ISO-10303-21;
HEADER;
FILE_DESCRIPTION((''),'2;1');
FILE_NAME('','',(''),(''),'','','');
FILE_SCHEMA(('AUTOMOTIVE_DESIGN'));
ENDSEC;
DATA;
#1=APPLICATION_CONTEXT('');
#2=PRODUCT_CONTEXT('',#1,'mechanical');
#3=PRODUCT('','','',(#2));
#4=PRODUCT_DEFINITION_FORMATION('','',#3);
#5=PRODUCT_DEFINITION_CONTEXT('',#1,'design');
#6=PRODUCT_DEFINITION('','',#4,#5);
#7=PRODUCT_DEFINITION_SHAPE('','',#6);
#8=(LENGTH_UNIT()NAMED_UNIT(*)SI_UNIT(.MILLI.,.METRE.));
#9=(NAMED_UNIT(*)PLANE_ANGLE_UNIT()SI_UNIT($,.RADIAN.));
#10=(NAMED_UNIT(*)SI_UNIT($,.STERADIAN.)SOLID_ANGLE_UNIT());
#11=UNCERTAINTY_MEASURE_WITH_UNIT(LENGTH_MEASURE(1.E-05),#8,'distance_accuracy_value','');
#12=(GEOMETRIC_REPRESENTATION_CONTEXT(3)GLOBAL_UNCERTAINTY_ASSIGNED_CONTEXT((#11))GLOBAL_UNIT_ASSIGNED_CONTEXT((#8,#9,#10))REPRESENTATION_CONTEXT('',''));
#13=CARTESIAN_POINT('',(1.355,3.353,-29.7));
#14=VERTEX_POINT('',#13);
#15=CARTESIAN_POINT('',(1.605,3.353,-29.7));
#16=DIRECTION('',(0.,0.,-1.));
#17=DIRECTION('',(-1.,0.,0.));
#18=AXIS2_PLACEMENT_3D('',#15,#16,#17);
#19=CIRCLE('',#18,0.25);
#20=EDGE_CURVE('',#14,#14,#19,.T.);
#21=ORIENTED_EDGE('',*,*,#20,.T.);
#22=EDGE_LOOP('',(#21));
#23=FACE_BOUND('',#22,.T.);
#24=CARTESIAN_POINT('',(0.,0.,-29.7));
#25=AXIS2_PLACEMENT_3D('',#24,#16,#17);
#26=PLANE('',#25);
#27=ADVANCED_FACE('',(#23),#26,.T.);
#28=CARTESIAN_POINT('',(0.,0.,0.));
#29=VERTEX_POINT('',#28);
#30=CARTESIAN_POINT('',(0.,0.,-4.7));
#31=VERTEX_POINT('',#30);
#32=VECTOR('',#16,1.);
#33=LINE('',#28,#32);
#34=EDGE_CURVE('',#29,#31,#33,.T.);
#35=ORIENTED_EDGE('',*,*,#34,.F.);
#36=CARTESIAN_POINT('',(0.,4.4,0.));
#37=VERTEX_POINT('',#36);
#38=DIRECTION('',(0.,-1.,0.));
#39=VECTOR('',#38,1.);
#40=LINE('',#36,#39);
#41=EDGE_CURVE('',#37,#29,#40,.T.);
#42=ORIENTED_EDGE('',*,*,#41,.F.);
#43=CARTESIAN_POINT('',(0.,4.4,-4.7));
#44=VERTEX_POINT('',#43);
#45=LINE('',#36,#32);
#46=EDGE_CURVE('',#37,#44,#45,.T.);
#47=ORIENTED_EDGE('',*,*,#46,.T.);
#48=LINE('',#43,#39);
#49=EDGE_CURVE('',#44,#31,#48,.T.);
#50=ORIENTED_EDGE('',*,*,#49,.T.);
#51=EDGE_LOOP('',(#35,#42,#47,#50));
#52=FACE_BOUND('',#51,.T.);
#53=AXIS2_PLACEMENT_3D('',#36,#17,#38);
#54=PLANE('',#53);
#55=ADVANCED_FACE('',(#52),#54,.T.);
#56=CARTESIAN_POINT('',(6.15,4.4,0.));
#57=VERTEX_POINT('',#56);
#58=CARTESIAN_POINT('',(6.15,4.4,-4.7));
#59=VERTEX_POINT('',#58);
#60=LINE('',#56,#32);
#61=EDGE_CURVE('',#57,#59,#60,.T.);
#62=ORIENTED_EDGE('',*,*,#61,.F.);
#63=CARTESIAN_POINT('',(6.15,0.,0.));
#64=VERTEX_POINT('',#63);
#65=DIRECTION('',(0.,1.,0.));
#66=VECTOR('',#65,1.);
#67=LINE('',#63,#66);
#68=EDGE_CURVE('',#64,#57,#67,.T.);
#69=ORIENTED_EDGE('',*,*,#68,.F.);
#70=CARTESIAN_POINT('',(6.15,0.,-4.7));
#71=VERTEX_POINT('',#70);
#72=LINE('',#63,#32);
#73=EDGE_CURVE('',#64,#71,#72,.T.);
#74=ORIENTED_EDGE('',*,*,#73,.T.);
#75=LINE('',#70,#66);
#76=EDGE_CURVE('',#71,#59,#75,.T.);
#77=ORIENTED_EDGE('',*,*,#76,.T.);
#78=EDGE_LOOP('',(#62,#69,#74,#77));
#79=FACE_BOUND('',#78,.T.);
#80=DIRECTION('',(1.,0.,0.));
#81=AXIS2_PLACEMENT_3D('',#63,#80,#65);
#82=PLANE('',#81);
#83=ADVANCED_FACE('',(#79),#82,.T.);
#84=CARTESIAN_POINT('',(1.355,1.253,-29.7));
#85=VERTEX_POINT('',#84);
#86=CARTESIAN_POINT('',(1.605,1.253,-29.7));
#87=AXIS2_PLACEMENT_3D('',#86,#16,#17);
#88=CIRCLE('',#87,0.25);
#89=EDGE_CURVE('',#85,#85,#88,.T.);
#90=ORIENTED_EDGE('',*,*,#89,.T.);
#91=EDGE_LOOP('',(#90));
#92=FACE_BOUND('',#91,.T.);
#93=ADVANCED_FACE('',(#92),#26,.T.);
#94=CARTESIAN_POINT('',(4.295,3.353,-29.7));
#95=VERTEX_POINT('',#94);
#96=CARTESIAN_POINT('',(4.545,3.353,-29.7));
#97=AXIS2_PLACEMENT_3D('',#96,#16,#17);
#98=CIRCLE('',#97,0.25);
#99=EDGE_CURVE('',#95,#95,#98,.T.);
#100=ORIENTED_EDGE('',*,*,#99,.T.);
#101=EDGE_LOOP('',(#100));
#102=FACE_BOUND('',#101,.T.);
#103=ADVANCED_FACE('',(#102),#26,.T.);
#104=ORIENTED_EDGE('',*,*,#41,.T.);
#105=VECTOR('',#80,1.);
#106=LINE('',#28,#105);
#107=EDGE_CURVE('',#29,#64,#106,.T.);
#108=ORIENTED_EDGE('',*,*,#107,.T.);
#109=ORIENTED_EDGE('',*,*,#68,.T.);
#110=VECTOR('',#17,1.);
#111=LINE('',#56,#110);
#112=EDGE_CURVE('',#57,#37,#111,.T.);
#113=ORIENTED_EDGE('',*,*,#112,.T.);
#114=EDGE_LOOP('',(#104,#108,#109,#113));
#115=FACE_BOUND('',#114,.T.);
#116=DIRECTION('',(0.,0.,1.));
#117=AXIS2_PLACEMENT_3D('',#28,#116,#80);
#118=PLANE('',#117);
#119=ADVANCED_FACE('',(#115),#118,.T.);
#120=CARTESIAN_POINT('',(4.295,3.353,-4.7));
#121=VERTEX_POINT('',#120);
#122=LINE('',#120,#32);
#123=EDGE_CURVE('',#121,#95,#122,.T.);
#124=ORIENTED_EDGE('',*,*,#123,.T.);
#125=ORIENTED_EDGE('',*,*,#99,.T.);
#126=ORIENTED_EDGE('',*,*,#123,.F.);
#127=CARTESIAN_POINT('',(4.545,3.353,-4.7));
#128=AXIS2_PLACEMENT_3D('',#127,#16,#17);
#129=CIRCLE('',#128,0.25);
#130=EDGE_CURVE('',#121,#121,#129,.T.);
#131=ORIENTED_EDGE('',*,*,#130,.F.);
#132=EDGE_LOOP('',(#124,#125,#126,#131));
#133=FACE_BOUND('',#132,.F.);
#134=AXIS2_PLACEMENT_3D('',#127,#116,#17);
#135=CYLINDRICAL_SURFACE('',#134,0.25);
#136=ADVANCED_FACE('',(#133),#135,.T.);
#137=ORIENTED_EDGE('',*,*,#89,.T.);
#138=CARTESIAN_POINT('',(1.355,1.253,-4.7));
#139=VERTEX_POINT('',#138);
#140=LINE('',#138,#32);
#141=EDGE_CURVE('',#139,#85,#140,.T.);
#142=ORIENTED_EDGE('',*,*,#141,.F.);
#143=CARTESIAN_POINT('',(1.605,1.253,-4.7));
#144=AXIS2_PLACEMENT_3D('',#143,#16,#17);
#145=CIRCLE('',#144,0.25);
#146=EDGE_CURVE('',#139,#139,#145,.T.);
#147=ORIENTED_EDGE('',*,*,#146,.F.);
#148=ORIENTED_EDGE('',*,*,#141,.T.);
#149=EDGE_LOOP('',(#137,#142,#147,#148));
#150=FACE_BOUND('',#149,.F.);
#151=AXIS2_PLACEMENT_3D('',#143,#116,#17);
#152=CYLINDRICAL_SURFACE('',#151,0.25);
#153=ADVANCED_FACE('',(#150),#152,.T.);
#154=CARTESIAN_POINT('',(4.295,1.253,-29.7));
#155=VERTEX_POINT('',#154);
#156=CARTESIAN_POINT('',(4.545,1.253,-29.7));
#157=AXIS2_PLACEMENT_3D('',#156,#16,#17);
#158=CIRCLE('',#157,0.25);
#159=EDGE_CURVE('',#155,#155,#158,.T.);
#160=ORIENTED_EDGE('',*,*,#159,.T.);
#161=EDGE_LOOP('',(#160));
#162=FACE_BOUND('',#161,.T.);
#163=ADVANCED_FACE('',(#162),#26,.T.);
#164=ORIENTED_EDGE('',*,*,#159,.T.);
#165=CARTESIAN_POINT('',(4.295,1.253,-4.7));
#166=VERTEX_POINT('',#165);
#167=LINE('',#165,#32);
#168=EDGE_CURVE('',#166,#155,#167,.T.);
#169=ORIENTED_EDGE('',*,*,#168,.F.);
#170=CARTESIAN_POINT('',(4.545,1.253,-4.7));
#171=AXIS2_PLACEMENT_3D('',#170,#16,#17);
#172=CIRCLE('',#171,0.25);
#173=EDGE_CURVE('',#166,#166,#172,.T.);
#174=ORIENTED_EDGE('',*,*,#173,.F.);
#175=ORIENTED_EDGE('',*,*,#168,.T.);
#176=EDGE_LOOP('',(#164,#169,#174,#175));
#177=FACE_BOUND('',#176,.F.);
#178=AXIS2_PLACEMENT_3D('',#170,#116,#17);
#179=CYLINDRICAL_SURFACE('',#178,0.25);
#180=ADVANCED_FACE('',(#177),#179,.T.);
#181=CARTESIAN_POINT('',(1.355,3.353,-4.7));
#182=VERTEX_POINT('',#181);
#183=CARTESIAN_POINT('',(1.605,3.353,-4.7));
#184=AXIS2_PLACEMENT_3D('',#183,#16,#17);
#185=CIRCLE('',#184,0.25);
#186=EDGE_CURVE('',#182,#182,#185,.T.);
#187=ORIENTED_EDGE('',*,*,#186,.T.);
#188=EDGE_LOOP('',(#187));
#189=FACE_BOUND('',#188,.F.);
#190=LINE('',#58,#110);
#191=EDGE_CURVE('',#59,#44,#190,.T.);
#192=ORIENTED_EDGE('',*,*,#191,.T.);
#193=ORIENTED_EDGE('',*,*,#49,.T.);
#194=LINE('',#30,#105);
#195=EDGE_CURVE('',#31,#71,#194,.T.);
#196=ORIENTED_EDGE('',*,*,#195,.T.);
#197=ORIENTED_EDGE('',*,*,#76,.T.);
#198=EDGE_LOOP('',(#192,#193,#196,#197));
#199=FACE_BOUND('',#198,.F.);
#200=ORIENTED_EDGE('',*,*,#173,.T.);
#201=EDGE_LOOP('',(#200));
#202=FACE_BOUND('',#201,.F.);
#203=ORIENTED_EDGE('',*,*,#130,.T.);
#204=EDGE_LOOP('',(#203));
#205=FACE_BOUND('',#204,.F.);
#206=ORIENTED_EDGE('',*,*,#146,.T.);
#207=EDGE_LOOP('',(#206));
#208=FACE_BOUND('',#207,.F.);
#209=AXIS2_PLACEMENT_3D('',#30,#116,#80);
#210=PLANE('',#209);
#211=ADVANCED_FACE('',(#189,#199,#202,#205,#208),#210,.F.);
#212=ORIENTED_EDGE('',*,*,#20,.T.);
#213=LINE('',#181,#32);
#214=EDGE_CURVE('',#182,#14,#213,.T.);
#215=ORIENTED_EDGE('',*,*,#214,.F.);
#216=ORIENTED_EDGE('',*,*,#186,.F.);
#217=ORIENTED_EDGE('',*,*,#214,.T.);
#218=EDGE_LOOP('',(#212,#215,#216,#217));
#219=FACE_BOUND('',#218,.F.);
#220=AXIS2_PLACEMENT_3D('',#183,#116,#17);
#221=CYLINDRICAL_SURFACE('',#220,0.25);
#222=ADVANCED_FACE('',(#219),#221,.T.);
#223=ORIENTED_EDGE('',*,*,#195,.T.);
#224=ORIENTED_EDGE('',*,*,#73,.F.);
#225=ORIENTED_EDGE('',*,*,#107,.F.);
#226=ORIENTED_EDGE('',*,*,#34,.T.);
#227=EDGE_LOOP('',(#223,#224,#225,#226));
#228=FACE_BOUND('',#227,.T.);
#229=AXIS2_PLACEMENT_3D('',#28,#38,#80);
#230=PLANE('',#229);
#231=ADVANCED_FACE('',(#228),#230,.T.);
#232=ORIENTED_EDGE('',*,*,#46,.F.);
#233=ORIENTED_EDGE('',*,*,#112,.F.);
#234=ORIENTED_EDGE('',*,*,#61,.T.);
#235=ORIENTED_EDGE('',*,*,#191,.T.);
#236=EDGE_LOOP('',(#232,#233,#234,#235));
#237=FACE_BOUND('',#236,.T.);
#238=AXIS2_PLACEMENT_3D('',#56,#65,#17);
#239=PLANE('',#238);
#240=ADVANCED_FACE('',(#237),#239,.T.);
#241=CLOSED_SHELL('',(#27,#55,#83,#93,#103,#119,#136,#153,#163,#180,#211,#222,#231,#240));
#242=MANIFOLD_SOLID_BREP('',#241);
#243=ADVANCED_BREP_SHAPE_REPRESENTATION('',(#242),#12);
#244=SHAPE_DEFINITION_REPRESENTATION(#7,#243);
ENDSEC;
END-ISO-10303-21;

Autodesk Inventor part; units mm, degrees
ref_plane "YZ Plane" through (0, 0, 0) normal (1, 0, 0) x (0, 1, 0)
ref_plane "XZ Plane" through (0, 0, 0) normal (0, 1, 0) x (-1, 0, 0)
ref_plane "XY Plane" through (0, 0, 0) normal (0, 0, 1) x (1, 0, 0)
sketch "Sketch1" plane through (0, 0, 0) normal (0, 0, 1) x (1, 0, 0)
  line L0 (0, 0) -> (6.15, 0)
  line L1 (6.15, 0) -> (6.15, 4.4)
  line L2 (6.15, 4.4) -> (0, 4.4)
  line L3 (0, 4.4) -> (0, 0)
  dimension "d0" = 6.15
  dimension "d1" = 4.4
extrude "Extrusion1" add sketch "Sketch1" against normal blind 4.7
sketch "Sketch2" plane through (0, 0, -4.7) normal (0, 0, -1) x (-1, 0, 0)
  line L0 (-6.15, 0) -> (-6.15, 4.4) projected
  line L1 (0, 4.4) -> (0, 0) projected
  line L2 (-6.15, 4.4) -> (0, 4.4) projected
  circle A0 centre (-4.545, 3.353) radius 0.25
  circle A1 centre (-1.605, 3.353) radius 0.25
  circle A2 centre (-4.545, 1.253) radius 0.25
  circle A3 centre (-1.605, 1.253) radius 0.25
  dimension "d4" = 0.5
  dimension "d5" = 0.5
  dimension "d6" = 0.5
  dimension "d7" = 0.5
  dimension "d8" = 3.44
  dimension "d9" = 3.44
  dimension "d10" = 2.6
  dimension "d11" = 2.6
  dimension "d12" = 1.605
  dimension "d13" = 1.605
  dimension "d14" = 1.605
  dimension "d15" = 1.047
extrude "Extrusion2" add sketch "Sketch2" along normal blind 25
properties part number "LineSensor"
